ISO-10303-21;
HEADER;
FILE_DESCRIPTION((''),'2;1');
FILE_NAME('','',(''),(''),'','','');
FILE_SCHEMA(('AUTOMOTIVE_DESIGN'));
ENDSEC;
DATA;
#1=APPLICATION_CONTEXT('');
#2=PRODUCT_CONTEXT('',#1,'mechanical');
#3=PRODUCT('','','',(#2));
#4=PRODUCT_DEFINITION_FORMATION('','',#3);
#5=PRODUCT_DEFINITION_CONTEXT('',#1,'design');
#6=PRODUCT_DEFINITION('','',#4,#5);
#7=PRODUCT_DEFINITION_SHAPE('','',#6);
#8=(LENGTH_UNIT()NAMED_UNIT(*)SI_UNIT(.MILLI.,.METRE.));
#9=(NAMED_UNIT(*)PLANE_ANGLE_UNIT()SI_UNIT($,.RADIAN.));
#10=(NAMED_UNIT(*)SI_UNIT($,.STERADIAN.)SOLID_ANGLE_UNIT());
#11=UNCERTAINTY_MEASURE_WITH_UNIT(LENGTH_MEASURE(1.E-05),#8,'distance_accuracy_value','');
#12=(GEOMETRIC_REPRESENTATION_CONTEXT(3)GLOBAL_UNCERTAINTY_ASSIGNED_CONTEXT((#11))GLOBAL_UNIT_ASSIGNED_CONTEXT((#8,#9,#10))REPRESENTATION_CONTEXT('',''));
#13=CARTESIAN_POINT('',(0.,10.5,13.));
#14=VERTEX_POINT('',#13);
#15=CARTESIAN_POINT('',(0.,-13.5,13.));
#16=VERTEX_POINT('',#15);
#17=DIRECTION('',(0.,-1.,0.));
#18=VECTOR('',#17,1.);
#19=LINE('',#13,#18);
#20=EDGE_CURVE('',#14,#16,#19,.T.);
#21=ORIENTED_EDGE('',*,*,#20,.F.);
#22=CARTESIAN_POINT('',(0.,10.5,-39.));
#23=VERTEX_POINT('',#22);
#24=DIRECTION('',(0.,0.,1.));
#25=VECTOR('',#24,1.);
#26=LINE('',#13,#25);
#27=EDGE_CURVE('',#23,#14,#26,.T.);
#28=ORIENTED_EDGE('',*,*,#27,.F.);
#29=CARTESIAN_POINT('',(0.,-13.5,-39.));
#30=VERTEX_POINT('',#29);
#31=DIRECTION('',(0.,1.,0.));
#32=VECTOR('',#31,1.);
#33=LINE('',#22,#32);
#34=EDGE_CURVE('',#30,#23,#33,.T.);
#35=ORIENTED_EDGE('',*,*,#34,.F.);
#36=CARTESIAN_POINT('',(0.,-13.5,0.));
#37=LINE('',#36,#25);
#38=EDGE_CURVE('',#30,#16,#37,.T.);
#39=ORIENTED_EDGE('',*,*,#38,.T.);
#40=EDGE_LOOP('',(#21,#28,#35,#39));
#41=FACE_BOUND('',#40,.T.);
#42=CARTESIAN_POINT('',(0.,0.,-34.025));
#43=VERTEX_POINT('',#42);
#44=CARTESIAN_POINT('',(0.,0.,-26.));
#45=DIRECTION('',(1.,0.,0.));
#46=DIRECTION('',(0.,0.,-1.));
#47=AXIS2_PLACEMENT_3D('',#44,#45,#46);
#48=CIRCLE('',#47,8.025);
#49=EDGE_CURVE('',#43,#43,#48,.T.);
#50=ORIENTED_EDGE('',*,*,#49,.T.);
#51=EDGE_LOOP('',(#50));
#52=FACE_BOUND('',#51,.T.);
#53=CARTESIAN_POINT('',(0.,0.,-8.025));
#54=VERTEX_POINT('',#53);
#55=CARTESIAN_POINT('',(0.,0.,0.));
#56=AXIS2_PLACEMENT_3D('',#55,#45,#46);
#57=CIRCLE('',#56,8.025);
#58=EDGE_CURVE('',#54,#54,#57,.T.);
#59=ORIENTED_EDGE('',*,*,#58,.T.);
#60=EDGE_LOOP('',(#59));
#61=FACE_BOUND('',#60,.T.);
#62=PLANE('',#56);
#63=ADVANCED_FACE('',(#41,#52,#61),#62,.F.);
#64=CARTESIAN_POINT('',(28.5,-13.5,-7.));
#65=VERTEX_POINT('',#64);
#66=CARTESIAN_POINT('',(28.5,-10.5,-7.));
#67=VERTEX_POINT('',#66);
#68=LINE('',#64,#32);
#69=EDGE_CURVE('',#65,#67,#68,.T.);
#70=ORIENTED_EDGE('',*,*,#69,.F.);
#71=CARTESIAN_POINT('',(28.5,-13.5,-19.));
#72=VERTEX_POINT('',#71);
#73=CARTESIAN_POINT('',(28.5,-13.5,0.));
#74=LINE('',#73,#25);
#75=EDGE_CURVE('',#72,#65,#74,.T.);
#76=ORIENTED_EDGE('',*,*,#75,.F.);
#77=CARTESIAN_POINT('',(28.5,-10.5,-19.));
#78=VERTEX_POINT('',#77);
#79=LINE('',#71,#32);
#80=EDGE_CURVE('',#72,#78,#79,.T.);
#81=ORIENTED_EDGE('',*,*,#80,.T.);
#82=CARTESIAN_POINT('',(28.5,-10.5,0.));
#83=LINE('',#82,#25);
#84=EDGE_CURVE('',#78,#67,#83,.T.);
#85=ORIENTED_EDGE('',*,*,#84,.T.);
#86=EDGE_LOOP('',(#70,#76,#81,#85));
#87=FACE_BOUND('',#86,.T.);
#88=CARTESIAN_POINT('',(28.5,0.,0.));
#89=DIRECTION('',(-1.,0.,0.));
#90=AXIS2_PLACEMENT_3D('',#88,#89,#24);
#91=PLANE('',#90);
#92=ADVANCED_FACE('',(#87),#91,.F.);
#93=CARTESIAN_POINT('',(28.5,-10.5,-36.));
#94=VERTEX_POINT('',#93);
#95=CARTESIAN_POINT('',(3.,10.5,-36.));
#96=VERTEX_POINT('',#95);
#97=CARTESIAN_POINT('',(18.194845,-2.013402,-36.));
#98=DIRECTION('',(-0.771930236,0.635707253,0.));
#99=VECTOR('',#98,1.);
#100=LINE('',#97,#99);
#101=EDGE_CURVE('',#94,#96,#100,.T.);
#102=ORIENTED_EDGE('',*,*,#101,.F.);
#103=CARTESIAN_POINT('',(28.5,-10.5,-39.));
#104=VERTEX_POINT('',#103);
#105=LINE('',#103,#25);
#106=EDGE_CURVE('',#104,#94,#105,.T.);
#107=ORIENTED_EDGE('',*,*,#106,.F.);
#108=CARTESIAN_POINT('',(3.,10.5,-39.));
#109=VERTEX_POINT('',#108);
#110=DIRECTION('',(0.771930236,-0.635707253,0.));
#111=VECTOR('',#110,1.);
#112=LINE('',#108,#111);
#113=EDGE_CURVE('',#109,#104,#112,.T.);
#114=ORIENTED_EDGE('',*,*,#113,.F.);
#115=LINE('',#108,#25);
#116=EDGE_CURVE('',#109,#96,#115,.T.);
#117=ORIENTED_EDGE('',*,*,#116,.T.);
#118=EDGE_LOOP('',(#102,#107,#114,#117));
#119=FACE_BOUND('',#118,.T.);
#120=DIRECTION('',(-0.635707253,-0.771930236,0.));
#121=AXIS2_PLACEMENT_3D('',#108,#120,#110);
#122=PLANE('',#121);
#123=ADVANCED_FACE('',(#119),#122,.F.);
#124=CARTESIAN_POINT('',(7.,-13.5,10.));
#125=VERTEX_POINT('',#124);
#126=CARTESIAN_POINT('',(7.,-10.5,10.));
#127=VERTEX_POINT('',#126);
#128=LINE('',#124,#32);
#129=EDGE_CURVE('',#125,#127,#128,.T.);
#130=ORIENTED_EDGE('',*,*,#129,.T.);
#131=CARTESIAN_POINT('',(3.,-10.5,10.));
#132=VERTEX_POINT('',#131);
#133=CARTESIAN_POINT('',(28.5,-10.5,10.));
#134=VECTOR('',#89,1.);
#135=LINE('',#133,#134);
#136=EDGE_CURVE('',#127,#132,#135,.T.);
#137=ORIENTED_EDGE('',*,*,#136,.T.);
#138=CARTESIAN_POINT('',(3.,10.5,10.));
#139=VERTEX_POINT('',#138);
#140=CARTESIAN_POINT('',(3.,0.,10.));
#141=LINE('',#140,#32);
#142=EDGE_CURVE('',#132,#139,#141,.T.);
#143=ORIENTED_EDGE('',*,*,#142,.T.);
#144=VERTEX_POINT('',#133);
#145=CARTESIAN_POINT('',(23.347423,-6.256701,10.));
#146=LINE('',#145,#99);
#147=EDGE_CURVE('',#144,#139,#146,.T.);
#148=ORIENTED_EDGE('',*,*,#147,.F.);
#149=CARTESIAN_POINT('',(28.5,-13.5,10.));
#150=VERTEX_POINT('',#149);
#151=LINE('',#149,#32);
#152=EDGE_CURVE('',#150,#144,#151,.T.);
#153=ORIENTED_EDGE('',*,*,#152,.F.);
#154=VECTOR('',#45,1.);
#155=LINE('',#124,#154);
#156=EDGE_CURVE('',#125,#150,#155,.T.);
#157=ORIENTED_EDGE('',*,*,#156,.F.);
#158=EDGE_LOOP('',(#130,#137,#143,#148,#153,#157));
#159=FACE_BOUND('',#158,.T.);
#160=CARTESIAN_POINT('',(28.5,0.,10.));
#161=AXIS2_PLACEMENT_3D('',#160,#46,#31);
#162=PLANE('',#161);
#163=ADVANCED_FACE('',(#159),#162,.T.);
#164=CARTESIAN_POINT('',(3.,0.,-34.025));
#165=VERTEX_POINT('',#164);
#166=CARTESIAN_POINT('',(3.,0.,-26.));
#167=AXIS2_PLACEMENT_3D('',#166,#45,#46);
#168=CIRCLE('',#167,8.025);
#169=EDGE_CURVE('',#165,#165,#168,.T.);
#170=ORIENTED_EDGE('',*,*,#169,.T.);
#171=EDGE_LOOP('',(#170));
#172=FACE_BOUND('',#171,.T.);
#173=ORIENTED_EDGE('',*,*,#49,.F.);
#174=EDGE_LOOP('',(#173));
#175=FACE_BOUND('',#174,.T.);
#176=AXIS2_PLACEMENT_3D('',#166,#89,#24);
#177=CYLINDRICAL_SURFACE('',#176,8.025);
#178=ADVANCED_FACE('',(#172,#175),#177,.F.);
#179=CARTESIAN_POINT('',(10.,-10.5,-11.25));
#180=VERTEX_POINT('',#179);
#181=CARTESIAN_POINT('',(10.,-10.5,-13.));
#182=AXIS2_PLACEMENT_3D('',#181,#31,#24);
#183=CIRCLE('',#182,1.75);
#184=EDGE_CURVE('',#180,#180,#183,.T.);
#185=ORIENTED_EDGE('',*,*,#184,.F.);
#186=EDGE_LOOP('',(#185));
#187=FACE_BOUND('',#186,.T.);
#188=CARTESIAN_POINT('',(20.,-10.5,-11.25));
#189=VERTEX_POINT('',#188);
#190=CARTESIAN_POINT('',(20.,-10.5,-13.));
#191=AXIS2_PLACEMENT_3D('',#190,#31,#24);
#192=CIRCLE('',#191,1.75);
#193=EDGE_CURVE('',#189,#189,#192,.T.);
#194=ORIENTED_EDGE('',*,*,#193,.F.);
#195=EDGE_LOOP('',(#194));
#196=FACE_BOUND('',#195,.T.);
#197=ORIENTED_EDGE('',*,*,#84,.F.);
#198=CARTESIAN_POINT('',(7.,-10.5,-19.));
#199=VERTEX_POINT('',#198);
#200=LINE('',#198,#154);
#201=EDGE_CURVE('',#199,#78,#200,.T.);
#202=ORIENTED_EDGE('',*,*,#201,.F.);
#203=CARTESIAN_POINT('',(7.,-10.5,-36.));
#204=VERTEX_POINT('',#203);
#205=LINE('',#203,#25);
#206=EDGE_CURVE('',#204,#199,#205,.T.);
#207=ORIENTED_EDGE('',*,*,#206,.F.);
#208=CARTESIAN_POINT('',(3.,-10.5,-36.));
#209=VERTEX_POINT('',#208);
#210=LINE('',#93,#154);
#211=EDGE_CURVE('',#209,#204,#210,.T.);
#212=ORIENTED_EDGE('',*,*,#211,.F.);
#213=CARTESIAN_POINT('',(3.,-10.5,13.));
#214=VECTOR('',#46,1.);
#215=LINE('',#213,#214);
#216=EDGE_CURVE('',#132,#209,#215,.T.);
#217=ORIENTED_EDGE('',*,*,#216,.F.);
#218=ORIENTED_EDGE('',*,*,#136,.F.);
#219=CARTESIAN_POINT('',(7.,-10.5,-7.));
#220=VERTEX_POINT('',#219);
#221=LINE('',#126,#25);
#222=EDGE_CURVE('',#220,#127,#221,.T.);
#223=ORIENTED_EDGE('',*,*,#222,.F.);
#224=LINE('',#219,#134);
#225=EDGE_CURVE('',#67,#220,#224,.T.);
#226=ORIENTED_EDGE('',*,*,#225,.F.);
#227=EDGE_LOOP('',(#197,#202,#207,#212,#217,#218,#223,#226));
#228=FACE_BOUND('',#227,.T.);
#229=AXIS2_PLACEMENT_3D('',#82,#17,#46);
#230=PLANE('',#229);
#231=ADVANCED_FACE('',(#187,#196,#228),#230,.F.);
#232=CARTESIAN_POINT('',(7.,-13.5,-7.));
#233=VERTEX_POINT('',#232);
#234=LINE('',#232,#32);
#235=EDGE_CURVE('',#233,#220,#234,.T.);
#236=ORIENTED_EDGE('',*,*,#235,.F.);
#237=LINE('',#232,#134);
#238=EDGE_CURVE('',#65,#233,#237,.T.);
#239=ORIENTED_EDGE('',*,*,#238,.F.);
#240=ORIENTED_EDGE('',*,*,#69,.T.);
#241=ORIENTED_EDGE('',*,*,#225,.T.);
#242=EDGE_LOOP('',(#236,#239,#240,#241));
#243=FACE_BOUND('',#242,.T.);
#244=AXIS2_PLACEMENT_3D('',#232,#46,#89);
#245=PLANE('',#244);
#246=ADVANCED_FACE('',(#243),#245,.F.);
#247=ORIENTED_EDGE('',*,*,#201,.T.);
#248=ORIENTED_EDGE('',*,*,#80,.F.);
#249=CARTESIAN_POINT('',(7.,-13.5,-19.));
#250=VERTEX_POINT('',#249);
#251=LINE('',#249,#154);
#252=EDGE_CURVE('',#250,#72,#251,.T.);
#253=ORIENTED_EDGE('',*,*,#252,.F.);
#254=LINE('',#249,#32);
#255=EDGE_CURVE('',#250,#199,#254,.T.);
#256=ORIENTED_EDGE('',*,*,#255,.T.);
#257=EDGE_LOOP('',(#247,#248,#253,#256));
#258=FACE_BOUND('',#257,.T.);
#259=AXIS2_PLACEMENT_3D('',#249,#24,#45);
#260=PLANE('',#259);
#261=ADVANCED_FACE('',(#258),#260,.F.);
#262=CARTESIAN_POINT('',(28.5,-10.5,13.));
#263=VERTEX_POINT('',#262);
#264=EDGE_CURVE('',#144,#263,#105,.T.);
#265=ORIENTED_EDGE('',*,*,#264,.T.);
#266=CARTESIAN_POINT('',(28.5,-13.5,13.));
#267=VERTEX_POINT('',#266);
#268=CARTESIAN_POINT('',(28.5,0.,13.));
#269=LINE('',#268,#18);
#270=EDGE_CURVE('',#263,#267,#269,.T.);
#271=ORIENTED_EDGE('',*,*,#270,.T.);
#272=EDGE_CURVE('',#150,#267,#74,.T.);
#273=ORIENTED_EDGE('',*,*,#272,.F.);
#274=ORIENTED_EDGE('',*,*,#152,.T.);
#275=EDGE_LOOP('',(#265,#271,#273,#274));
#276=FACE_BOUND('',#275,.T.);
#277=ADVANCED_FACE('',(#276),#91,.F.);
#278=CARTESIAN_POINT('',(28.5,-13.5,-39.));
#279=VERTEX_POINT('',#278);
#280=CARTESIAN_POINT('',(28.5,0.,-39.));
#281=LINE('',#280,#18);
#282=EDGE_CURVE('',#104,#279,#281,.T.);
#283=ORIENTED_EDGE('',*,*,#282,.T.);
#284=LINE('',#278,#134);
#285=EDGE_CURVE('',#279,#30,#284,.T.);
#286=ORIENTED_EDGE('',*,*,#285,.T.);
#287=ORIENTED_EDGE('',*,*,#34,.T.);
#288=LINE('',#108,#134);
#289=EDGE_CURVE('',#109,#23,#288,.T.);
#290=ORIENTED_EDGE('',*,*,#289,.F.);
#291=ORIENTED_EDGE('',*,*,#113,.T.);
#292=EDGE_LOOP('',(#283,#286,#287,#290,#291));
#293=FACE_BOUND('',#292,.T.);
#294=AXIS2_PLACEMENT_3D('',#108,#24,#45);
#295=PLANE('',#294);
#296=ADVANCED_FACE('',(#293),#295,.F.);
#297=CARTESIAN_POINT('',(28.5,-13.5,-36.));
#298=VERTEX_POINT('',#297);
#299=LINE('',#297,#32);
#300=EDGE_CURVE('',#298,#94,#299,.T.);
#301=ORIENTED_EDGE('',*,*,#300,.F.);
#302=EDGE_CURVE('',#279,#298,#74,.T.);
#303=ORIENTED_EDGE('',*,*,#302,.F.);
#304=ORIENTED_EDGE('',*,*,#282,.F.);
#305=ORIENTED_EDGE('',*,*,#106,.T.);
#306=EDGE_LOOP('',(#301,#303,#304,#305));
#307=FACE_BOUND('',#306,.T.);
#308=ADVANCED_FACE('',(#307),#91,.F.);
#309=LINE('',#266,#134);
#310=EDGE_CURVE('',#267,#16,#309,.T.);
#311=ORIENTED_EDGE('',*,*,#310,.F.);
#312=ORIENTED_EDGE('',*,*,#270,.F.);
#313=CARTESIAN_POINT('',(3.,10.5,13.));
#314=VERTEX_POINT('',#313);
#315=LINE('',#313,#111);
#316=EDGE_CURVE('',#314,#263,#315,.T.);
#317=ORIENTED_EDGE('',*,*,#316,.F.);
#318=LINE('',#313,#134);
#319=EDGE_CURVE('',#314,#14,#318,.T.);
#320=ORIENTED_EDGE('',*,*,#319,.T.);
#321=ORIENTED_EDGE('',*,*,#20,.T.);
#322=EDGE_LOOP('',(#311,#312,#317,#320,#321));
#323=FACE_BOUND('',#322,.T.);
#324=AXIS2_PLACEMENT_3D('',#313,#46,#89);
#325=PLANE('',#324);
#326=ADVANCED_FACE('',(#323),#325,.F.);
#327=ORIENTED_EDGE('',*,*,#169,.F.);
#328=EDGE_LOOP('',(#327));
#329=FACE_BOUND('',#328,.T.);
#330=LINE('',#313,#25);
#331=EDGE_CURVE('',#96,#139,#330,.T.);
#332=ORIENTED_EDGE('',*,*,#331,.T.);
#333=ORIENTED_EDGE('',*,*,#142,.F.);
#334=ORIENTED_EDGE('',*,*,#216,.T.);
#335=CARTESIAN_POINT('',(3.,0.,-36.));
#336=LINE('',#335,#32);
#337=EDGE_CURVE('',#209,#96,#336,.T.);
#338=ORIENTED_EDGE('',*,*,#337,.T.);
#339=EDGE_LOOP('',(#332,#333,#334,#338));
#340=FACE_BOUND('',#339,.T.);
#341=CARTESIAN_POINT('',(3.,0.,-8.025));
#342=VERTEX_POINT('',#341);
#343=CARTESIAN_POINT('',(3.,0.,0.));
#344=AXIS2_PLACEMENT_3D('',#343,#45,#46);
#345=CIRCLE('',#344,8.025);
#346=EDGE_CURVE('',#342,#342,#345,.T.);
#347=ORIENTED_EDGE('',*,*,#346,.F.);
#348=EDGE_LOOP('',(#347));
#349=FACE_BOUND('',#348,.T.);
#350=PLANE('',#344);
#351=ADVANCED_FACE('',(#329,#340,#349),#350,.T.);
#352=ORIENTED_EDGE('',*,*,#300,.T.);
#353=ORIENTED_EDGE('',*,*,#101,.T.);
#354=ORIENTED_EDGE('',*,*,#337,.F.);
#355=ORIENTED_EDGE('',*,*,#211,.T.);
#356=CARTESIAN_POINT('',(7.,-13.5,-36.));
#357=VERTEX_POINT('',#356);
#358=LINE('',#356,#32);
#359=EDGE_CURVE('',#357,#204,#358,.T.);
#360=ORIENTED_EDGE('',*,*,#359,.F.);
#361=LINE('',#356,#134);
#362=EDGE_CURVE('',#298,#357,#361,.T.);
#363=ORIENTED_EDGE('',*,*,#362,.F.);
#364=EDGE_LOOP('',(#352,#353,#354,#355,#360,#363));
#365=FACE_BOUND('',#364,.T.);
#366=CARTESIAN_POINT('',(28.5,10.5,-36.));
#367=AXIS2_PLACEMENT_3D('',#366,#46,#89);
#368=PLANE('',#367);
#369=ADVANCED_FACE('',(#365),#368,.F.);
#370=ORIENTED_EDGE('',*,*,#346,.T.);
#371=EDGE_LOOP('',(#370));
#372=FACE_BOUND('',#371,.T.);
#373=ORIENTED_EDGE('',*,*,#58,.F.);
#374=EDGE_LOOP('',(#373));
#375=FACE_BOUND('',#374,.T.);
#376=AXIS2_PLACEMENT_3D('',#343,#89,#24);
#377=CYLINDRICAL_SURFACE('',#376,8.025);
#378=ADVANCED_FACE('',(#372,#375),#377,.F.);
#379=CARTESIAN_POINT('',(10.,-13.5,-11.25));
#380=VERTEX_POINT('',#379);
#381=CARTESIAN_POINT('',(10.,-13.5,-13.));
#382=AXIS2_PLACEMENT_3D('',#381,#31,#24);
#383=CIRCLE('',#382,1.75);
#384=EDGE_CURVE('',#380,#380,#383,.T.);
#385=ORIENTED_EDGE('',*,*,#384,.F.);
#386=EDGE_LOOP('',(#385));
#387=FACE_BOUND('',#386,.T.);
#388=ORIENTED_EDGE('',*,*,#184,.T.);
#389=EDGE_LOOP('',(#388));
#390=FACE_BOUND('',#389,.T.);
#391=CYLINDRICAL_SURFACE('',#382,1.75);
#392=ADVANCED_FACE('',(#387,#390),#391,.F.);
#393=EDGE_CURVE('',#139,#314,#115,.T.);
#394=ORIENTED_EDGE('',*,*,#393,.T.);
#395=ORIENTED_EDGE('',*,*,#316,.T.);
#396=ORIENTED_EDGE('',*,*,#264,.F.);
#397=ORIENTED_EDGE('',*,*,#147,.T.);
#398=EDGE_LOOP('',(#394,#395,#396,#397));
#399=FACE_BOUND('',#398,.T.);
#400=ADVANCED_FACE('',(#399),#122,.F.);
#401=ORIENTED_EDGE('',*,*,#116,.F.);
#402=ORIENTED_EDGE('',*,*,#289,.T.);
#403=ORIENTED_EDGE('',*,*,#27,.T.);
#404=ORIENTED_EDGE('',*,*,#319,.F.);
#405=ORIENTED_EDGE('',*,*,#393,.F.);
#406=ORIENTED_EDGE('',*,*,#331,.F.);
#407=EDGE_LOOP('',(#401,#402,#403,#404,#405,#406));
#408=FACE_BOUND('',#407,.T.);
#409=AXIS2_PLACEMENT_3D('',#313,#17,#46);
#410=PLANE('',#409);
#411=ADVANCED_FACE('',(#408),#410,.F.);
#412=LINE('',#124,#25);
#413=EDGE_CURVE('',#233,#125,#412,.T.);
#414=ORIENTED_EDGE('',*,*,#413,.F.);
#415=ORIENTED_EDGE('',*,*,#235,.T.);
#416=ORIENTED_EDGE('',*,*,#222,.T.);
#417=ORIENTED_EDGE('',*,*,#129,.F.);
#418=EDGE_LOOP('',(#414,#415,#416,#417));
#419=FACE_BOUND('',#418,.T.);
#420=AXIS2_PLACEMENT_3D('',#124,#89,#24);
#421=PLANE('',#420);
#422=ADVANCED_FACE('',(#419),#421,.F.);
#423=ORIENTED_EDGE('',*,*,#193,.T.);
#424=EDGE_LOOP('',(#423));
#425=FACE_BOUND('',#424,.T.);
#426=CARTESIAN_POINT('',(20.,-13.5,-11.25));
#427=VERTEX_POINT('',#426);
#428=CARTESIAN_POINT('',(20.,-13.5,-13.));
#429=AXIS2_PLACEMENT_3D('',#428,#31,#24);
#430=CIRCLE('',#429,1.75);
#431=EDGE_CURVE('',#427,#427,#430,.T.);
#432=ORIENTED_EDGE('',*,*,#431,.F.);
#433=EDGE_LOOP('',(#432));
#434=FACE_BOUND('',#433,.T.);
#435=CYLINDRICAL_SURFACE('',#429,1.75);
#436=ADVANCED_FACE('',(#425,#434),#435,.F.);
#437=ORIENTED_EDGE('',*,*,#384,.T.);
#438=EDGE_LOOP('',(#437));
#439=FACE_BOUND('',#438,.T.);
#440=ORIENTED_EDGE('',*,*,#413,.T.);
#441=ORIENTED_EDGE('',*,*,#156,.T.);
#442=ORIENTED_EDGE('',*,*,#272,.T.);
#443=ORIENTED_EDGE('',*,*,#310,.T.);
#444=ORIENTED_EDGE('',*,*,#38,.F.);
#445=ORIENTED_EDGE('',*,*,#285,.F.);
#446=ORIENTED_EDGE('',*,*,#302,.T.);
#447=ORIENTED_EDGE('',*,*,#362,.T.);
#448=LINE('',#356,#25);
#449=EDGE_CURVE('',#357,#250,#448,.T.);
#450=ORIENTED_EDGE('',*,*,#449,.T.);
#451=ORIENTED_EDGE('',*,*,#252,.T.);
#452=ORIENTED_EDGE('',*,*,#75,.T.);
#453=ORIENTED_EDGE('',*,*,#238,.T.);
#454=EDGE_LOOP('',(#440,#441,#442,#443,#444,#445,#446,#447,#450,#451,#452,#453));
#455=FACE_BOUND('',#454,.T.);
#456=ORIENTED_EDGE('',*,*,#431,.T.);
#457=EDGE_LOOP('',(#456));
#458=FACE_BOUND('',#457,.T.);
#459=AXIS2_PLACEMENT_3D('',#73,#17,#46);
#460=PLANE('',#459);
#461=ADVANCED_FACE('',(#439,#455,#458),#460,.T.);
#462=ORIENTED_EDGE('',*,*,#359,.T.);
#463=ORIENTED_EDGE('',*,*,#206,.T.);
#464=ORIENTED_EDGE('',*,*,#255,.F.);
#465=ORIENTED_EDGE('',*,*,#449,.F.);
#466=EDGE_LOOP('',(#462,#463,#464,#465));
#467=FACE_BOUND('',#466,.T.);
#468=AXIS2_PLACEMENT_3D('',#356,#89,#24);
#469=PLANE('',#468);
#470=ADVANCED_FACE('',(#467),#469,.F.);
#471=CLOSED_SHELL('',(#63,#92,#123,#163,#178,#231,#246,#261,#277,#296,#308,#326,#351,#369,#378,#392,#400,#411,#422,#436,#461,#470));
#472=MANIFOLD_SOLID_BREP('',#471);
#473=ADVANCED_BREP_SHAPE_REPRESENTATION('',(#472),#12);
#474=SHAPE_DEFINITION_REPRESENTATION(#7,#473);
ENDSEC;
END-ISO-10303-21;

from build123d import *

# Parameters (mm, degrees)
CROQUIS1_W              = 52
CROQUIS1_H              = 21
CROQUIS1_R              = 8.025
SALIENTE_EXTRUIR1_DEPTH = 3
CROQUIS2_W              = 3
CROQUIS2_H              = 21
SALIENTE_EXTRUIR2_DEPTH = 28.5
CORTAR_EXTRUIR1_DEPTH   = 61.815294129
CROQUIS4_R              = 1.75
CORTAR_EXTRUIR2_DEPTH   = 53.671149598
CROQUIS5_W              = 21.5
CROQUIS5_H              = 17
CORTAR_EXTRUIR3_DEPTH   = 53.671149598


with BuildPart() as part:
    # Croquis1 → Saliente-Extruir1 (new body)
    with BuildSketch(Plane(origin=(0, 0, 0), x_dir=(0, 0, -1), z_dir=(1, 0, 0))):
        with Locations((13, 0)):
            Rectangle(CROQUIS1_W, CROQUIS1_H)
        Circle(CROQUIS1_R, mode=Mode.SUBTRACT)
        with Locations((26, 0)):
            Circle(CROQUIS1_R, mode=Mode.SUBTRACT)
    extrude(amount=SALIENTE_EXTRUIR1_DEPTH)

    # Croquis2 → Saliente-Extruir2 (add)
    with BuildSketch(Plane.ZY):
        Polygon((-36, -10.5), (-39, -10.5), (-39, -13.5), (13, -13.5), (13, -10.5), (10, -10.5), align=None)
        with Locations((11.5, 0)):
            Rectangle(CROQUIS2_W, CROQUIS2_H)
        with Locations((-37.5, 0)):
            Rectangle(CROQUIS2_W, CROQUIS2_H)
    extrude(amount=-SALIENTE_EXTRUIR2_DEPTH)

    # Croquis3 → Cortar-Extruir1 (cut, through all)
    with BuildSketch(Plane.XY.offset(13)):
        Polygon((3, 10.5), (28.5, -10.5), (28.5, 10.5), align=None)
    extrude(amount=-CORTAR_EXTRUIR1_DEPTH, mode=Mode.SUBTRACT)

    # Croquis4 → Cortar-Extruir2 (cut, through all)
    with BuildSketch(Plane(origin=(0, -10.5, 0), x_dir=(1, 0, 0), z_dir=(0, 1, 0))):
        with Locations(Location((10, 13, 0), (0, 0, 270))):
            Circle(CROQUIS4_R)
        with Locations(Location((20, 13, 0), (0, 0, 270))):
            Circle(CROQUIS4_R)
    extrude(amount=-CORTAR_EXTRUIR2_DEPTH, mode=Mode.SUBTRACT)

    # Croquis5 → Cortar-Extruir3 (cut, through all)
    with BuildSketch(Plane(origin=(0, -10.5, 0), x_dir=(1, 0, 0), z_dir=(0, 1, 0))):
        with Locations((17.75, 27.5)):
            Rectangle(CROQUIS5_W, CROQUIS5_H)
        with Locations((17.75, -1.5)):
            Rectangle(CROQUIS5_W, CROQUIS5_H)
    extrude(amount=-CORTAR_EXTRUIR3_DEPTH, mode=Mode.SUBTRACT)


solid = part.part
